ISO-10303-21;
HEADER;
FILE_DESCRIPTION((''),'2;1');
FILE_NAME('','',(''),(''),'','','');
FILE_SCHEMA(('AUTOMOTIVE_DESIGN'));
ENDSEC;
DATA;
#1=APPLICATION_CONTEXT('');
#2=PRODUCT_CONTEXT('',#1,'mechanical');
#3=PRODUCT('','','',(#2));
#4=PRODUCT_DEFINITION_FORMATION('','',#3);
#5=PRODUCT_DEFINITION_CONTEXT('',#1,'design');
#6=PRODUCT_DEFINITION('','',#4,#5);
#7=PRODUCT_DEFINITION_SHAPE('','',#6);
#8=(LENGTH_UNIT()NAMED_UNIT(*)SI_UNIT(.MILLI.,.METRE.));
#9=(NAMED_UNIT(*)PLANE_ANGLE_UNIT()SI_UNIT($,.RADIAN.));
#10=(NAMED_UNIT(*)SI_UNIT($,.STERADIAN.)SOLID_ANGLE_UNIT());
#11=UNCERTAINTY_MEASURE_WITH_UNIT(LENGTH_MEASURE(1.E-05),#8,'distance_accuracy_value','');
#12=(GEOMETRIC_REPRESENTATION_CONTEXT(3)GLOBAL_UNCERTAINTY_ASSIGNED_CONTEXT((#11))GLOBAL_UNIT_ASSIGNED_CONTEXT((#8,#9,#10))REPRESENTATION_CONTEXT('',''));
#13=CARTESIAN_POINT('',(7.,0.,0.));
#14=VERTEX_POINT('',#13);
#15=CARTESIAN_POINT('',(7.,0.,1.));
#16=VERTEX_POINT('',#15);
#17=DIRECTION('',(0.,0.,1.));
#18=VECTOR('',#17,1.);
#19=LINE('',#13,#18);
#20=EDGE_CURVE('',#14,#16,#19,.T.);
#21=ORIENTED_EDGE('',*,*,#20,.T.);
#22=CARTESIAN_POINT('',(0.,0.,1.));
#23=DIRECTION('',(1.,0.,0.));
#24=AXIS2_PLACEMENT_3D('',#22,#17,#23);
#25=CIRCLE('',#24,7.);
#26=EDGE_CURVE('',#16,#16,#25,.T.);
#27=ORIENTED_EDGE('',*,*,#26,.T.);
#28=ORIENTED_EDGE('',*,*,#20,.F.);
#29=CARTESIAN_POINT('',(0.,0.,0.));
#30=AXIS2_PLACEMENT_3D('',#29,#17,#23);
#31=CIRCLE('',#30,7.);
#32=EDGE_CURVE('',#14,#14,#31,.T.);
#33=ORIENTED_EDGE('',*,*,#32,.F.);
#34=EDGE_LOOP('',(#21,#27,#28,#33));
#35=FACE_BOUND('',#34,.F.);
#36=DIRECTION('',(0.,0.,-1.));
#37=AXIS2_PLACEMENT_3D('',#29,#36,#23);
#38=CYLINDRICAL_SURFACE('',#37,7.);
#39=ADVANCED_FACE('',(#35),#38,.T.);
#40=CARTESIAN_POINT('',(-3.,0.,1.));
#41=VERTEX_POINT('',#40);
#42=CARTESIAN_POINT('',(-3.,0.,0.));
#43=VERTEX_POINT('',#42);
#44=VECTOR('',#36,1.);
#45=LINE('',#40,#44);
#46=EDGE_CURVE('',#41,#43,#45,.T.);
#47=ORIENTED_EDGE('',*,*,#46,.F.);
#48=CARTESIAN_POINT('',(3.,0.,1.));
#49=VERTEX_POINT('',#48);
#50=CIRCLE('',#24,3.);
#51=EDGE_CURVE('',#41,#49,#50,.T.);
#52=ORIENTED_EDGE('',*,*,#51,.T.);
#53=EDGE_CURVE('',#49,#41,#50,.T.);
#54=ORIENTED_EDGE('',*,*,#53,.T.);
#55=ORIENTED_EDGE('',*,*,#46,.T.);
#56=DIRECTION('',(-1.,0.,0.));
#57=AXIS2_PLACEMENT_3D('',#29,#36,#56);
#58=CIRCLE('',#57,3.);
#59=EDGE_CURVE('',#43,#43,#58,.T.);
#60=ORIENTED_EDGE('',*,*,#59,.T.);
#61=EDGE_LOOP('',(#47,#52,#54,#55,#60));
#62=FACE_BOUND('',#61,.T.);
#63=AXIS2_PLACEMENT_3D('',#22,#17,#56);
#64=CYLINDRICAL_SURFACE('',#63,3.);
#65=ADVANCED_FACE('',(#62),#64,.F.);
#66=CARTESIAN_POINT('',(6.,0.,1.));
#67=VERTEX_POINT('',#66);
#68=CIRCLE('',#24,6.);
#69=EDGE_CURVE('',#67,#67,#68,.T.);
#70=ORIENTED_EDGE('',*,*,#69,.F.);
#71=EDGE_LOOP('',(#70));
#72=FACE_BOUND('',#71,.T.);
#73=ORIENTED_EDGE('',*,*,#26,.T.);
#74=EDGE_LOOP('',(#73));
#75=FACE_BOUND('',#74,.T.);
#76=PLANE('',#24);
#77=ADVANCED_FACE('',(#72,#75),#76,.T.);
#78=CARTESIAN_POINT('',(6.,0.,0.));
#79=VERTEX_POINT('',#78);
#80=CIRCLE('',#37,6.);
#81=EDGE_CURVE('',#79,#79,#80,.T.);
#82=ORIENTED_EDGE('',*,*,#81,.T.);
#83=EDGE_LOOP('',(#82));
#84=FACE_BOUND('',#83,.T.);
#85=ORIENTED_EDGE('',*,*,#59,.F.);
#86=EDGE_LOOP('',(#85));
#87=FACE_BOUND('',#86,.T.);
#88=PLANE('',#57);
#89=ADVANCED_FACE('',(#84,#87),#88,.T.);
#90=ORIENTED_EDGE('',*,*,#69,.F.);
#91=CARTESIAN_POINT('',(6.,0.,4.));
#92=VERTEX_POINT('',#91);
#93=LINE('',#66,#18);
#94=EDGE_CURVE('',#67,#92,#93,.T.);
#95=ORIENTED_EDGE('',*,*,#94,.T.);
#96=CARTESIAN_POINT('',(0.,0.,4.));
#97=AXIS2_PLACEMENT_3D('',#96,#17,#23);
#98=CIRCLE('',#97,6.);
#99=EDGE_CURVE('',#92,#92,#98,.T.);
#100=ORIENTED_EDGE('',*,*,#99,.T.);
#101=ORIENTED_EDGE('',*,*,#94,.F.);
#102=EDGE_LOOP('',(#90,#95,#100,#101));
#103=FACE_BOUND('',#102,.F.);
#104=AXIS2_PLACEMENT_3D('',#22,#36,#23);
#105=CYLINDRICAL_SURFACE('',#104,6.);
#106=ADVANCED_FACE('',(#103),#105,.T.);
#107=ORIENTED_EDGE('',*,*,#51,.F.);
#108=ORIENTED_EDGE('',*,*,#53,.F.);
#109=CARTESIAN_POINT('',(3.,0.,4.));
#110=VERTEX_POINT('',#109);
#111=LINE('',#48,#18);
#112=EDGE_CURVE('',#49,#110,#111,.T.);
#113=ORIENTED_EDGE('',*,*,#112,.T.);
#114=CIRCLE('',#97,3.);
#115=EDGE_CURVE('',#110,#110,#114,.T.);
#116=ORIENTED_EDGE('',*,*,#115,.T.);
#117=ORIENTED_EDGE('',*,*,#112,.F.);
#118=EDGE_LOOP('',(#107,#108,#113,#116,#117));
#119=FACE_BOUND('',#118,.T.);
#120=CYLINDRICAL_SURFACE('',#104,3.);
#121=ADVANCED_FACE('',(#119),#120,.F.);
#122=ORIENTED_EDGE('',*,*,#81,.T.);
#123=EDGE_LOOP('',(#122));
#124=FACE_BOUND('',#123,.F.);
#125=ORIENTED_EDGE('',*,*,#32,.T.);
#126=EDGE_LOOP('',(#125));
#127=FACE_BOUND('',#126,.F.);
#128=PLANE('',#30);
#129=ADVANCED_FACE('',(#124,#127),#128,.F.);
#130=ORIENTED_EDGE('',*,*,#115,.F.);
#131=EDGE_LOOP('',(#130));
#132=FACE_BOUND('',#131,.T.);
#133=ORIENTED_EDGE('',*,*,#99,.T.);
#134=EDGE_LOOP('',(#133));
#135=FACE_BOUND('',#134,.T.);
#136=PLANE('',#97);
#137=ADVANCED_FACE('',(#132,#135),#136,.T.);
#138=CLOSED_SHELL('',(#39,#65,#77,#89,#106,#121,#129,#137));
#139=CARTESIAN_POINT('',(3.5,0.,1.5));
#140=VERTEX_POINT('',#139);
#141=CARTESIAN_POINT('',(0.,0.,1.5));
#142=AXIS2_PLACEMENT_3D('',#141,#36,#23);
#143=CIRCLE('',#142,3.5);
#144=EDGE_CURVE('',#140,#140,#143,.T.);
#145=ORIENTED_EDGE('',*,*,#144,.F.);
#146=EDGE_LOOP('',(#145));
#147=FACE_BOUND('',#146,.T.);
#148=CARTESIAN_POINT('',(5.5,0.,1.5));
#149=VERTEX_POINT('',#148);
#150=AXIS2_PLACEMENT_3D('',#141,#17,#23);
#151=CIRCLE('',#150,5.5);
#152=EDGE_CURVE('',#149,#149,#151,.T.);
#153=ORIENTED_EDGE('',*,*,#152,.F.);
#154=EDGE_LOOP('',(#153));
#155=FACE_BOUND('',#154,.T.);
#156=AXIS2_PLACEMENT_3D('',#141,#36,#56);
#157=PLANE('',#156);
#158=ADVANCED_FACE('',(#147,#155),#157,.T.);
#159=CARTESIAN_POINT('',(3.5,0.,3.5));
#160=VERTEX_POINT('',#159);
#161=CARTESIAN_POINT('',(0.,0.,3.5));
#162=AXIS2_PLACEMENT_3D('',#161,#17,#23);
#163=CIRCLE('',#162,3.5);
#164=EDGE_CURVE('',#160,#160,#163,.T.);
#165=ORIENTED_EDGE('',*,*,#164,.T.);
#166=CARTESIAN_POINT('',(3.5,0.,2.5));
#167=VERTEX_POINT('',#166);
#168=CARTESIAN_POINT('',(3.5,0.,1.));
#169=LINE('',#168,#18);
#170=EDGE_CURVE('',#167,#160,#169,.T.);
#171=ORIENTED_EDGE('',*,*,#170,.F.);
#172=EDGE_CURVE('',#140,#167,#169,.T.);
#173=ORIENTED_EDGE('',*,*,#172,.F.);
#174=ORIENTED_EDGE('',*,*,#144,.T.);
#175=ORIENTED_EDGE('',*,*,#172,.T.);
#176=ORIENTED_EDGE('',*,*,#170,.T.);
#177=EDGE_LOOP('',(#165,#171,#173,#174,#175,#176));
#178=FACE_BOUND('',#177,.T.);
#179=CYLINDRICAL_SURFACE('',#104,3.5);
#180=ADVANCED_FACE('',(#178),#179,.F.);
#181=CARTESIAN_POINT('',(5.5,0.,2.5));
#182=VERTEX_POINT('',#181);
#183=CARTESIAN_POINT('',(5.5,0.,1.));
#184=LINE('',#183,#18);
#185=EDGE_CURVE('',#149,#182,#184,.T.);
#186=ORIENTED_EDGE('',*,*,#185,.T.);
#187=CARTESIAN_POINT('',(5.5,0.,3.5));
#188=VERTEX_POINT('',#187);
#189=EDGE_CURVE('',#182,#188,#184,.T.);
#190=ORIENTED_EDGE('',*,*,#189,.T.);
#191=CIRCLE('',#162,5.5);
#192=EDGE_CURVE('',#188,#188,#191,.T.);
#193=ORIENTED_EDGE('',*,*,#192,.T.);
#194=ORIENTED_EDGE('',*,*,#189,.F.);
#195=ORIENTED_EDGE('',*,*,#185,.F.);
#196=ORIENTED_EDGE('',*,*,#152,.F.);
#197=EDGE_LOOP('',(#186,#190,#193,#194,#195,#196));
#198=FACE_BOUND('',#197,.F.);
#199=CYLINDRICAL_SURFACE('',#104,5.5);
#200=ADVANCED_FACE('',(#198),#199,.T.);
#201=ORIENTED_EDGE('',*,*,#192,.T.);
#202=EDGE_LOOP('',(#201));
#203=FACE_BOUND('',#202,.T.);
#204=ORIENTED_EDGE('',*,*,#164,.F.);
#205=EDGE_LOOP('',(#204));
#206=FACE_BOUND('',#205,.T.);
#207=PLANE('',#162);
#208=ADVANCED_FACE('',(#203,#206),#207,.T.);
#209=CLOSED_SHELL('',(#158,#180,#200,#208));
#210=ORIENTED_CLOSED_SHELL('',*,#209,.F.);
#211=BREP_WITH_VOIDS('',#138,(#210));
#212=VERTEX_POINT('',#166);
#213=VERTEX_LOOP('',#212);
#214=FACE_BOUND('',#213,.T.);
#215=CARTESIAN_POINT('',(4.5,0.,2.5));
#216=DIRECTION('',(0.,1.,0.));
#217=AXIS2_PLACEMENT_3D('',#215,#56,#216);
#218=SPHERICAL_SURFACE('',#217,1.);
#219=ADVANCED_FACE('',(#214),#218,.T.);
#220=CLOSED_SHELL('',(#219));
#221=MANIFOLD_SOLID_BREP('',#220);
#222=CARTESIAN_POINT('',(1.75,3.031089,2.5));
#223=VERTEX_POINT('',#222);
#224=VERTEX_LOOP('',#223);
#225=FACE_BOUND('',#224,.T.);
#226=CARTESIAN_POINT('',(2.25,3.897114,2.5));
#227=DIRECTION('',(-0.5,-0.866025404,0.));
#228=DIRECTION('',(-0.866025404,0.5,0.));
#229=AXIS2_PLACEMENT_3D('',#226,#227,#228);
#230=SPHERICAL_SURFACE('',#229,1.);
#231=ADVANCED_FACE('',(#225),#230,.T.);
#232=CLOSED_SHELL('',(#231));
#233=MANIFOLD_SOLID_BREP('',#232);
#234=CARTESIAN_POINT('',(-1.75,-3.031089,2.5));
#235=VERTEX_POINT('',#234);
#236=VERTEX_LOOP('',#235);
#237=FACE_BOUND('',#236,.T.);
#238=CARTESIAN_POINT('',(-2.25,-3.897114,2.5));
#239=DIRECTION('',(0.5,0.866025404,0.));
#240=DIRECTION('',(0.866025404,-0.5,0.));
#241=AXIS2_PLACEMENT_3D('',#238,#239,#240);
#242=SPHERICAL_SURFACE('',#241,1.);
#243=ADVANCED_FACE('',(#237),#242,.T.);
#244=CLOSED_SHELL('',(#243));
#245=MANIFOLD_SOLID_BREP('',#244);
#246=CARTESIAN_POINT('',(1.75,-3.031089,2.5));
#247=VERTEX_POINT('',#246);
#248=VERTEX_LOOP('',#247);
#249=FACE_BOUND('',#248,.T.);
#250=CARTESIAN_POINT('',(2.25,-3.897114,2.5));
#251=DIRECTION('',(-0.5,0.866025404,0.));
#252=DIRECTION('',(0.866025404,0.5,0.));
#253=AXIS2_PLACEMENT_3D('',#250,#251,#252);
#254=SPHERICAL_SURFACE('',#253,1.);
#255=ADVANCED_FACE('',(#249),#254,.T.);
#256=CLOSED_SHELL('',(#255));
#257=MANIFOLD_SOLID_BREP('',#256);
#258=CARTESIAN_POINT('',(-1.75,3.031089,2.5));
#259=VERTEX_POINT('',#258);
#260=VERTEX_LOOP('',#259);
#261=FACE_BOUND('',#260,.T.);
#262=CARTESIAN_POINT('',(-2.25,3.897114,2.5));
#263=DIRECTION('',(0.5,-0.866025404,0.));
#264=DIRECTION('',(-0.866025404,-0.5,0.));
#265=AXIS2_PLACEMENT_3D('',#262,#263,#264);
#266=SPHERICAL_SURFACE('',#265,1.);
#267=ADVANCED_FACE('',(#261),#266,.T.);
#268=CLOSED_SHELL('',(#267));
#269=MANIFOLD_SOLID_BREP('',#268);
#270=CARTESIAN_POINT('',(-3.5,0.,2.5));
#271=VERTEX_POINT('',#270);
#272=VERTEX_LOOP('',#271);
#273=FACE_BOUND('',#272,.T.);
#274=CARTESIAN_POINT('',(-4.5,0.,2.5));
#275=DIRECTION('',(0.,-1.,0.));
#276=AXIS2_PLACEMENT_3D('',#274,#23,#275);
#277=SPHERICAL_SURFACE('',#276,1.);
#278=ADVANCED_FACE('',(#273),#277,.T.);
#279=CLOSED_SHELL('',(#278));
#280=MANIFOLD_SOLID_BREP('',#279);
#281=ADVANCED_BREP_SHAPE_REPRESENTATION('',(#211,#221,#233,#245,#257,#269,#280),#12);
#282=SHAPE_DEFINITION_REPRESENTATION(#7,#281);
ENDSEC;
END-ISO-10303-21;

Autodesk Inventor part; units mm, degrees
sketch "スケッチ1" plane through (0, 0, 0) normal (0, 0, 1) x (1, 0, 0)
  circle A0 centre (0, 0) radius 7
  circle A1 centre (0, 0) radius 6
  dimension "d0" = 14
  dimension "d1" = 12
extrude "押し出し1" add sketch "スケッチ1" along normal blind 1
sketch "スケッチ2" plane through (0, 0, 1) normal (0, 0, 1) x (1, 0, 0)
  circle A0 centre (0, 0) radius 5.5
  circle A1 centre (0, 0) radius 3
  circle A2 centre (0, 0) radius 5
  circle A3 centre (0, 0) radius 3.5
  circle A4 centre (0, 0) radius 7 projected
  circle A5 centre (0, 0) radius 7 projected
  circle A6 centre (0, 0) radius 6 projected
  dimension "d4" = 11
  dimension "d5" = 6
  dimension "d6" = 10
  dimension "d7" = 7
extrude "押し出し2" add sketch "スケッチ2" along normal blind 3 contours A3 | A6
ref_plane "作業平面1" through (0, 0, 2.5) normal (0, 0, 1) x (1, 0, 0)
sketch "スケッチ3" plane through (0, 0, 2.5) normal (0, 0, 1) x (1, 0, 0)
  circle A0 centre (0, 0) radius 6 projected
  circle A1 centre (0, 0) radius 5.5 projected
  circle A2 centre (0, 0) radius 3.5 projected
  circle A3 centre (0, 0) radius 3 projected
  circle A4 centre (4.5, 0) radius 1
  circle A5 centre (0, 0) radius 5.5 projected
  circle A6 centre (0, 0) radius 3.5 projected
  circle A7 centre (0, 0) radius 5.5 projected
  line L0 (5.5, 0) -> (3.5, 0)
  circle A8 centre (0, 0) radius 3.5 projected
  dimension "d15" = 2
revolve "回転1" add sketch "スケッチ3" angle 360 about axis through (5.5, 0, 2.5) along (-1, 0, 0) picked at (4.7952, 0.1549) contours L0 A4
pattern_circular "円形状パターン1" count 6 over 360 about axis through (0, 0, -10) along (0, 0, 1) of "回転1"
ref_plane "作業平面2" through (0, 0, 3.5) normal (0, 0, 1) x (1, 0, 0)
ref_plane "作業平面3" through (0, 0, 1.5) normal (0, 0, -1) x (-1, 0, 0)
sketch "スケッチ4" plane through (0, 0, 1.5) normal (0, 0, -1) x (-1, 0, 0)
  circle A0 centre (0, 0) radius 3.5 projected
  circle A1 centre (0, 0) radius 3 projected
  circle A2 centre (0, 0) radius 6 projected
  circle A3 centre (0, 0) radius 5.5 projected
extrude "押し出し3" add sketch "スケッチ4" along normal blind 0.5 contours A3
sketch "スケッチ5" plane through (0, 0, 3.5) normal (0, 0, 1) x (1, 0, 0)
  circle A0 centre (0, 0) radius 5.5 projected
  circle A1 centre (0, 0) radius 3.5 projected
extrude "押し出し4" add sketch "スケッチ5" along normal blind 0.5
sketch "スケッチ6" plane through (0, 0, 1) normal (0, 0, -1) x (-1, 0, 0)
  circle A0 centre (0, 0) radius 6 projected
  circle A1 centre (0, 0) radius 3 projected
extrude "押し出し5" add sketch "スケッチ6" along normal blind 1
properties part number "φ6φ12ベアリングa" material "鋼 AISI 1006 85 HR"
